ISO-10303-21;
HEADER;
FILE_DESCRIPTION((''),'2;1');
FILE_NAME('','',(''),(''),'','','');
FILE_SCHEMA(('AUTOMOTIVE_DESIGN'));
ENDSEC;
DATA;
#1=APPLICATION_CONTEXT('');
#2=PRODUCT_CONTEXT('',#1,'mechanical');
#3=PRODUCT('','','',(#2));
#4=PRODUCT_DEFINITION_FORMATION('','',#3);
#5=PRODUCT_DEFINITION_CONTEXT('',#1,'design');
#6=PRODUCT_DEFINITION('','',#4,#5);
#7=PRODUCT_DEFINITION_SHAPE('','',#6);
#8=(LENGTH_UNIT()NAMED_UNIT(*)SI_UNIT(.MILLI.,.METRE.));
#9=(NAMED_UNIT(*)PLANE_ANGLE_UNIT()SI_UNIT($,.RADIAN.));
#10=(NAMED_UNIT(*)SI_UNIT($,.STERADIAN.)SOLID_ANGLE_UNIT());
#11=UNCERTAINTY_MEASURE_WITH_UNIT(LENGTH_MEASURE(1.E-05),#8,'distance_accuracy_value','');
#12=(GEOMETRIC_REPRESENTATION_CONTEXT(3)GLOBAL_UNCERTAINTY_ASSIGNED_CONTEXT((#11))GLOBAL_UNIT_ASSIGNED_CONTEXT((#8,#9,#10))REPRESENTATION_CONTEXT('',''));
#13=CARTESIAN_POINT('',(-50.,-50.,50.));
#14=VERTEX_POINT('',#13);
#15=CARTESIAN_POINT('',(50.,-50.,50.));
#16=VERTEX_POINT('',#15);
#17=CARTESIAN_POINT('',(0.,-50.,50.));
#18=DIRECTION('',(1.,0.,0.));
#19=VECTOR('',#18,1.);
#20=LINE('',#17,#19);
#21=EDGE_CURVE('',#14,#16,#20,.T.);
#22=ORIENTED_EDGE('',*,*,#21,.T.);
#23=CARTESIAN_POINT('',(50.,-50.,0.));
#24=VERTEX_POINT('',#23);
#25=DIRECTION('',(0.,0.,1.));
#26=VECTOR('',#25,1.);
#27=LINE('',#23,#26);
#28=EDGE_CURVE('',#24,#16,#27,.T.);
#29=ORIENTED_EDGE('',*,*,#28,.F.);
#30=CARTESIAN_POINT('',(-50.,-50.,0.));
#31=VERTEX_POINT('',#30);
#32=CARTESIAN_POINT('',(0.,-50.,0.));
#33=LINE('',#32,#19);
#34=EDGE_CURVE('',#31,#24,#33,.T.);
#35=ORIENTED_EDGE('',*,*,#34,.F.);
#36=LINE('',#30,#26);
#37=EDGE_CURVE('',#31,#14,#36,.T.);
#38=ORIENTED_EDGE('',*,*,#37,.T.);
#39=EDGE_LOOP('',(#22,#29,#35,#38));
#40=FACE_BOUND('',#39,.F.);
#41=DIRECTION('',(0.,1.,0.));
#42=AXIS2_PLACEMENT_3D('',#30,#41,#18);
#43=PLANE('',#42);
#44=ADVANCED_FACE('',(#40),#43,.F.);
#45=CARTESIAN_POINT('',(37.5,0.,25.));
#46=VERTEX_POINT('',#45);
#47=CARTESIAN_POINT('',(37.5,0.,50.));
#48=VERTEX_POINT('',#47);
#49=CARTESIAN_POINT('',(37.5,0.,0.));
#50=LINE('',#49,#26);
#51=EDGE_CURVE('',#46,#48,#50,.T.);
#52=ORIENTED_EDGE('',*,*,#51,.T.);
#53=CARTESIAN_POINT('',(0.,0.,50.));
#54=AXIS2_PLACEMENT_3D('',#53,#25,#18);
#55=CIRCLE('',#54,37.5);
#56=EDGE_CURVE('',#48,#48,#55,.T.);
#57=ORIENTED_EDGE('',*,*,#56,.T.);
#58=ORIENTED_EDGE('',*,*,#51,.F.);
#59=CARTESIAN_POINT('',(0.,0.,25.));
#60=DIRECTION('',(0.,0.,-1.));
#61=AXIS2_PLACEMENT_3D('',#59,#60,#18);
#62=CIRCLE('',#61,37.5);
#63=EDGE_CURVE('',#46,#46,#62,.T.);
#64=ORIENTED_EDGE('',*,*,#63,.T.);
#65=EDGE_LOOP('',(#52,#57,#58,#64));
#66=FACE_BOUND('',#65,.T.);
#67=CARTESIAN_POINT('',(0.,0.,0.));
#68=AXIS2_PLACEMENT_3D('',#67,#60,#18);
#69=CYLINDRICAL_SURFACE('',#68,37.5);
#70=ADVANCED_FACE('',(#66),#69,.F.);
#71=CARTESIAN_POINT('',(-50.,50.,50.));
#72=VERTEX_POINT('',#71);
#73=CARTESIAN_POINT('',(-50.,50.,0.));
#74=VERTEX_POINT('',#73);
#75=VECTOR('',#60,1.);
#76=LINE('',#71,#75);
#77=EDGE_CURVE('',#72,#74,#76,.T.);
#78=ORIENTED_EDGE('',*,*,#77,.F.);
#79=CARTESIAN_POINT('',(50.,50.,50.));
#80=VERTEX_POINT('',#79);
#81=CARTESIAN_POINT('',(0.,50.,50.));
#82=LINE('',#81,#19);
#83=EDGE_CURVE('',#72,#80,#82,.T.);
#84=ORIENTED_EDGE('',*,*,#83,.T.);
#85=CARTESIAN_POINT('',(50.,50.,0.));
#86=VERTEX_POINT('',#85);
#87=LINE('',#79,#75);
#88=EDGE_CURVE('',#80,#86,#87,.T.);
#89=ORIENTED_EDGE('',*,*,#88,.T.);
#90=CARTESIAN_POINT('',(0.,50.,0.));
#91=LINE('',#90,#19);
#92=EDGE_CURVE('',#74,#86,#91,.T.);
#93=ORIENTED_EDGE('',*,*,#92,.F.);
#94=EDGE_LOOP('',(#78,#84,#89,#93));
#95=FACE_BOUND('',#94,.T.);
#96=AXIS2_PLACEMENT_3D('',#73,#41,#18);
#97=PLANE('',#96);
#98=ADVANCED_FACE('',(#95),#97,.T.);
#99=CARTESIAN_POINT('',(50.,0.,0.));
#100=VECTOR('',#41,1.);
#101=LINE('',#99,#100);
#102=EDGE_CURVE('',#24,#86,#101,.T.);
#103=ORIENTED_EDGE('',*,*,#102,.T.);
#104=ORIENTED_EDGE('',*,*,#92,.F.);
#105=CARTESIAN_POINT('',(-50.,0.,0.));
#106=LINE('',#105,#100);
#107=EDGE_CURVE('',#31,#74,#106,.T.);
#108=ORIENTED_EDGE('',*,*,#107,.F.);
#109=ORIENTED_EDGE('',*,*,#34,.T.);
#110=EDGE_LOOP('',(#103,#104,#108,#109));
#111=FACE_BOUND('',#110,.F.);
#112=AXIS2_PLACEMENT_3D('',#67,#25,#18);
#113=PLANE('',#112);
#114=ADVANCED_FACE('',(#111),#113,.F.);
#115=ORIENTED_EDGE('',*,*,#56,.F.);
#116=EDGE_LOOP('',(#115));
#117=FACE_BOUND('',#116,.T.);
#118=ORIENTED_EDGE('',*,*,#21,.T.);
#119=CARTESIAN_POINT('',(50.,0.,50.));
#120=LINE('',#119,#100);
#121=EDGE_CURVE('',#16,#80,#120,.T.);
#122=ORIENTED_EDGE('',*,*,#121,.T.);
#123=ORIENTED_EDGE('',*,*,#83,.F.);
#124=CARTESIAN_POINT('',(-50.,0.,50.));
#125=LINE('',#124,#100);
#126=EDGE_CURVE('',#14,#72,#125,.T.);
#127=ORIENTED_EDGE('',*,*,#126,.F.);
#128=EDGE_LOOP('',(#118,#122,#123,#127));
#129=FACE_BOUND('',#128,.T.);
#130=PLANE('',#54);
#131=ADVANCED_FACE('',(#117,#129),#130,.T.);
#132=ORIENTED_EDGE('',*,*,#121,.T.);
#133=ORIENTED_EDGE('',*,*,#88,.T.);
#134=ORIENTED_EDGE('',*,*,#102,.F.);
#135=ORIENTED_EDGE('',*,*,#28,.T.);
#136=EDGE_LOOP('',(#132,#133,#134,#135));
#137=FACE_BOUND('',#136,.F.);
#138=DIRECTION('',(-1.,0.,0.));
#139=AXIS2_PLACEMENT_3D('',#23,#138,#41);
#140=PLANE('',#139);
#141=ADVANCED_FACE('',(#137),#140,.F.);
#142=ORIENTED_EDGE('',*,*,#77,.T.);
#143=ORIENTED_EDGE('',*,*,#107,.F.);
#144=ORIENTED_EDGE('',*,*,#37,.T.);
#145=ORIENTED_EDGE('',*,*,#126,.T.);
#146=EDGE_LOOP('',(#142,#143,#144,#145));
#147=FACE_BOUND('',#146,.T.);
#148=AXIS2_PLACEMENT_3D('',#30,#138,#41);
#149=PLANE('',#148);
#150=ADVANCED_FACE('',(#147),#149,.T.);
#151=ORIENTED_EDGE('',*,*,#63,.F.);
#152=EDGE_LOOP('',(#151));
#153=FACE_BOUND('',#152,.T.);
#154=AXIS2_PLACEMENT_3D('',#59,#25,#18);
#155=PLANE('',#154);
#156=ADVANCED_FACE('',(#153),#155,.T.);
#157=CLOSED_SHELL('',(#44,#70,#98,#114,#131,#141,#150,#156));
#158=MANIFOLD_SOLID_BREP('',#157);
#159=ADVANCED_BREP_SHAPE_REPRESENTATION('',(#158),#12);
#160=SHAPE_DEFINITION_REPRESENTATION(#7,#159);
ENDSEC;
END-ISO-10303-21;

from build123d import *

# Parameters (mm, degrees)
F0_W     = 100
F0_H     = 100
F0_R     = 37.5
F1_DEPTH = 50
F2_DEPTH = 25


with BuildPart() as f1:
    # F0 (on Top) → F1 (new body)
    with BuildSketch(Plane.XY):
        Rectangle(F0_W, F0_H)
        Circle(F0_R, mode=Mode.SUBTRACT)
    extrude(amount=F1_DEPTH)

    # F0 (on Top) → F2 (join)
    with BuildSketch(Plane.XY):
        Rectangle(F0_W, F0_H)
        Circle(F0_R, mode=Mode.SUBTRACT)
        Circle(F0_R)
    extrude(amount=F2_DEPTH)


solid = f1.part
